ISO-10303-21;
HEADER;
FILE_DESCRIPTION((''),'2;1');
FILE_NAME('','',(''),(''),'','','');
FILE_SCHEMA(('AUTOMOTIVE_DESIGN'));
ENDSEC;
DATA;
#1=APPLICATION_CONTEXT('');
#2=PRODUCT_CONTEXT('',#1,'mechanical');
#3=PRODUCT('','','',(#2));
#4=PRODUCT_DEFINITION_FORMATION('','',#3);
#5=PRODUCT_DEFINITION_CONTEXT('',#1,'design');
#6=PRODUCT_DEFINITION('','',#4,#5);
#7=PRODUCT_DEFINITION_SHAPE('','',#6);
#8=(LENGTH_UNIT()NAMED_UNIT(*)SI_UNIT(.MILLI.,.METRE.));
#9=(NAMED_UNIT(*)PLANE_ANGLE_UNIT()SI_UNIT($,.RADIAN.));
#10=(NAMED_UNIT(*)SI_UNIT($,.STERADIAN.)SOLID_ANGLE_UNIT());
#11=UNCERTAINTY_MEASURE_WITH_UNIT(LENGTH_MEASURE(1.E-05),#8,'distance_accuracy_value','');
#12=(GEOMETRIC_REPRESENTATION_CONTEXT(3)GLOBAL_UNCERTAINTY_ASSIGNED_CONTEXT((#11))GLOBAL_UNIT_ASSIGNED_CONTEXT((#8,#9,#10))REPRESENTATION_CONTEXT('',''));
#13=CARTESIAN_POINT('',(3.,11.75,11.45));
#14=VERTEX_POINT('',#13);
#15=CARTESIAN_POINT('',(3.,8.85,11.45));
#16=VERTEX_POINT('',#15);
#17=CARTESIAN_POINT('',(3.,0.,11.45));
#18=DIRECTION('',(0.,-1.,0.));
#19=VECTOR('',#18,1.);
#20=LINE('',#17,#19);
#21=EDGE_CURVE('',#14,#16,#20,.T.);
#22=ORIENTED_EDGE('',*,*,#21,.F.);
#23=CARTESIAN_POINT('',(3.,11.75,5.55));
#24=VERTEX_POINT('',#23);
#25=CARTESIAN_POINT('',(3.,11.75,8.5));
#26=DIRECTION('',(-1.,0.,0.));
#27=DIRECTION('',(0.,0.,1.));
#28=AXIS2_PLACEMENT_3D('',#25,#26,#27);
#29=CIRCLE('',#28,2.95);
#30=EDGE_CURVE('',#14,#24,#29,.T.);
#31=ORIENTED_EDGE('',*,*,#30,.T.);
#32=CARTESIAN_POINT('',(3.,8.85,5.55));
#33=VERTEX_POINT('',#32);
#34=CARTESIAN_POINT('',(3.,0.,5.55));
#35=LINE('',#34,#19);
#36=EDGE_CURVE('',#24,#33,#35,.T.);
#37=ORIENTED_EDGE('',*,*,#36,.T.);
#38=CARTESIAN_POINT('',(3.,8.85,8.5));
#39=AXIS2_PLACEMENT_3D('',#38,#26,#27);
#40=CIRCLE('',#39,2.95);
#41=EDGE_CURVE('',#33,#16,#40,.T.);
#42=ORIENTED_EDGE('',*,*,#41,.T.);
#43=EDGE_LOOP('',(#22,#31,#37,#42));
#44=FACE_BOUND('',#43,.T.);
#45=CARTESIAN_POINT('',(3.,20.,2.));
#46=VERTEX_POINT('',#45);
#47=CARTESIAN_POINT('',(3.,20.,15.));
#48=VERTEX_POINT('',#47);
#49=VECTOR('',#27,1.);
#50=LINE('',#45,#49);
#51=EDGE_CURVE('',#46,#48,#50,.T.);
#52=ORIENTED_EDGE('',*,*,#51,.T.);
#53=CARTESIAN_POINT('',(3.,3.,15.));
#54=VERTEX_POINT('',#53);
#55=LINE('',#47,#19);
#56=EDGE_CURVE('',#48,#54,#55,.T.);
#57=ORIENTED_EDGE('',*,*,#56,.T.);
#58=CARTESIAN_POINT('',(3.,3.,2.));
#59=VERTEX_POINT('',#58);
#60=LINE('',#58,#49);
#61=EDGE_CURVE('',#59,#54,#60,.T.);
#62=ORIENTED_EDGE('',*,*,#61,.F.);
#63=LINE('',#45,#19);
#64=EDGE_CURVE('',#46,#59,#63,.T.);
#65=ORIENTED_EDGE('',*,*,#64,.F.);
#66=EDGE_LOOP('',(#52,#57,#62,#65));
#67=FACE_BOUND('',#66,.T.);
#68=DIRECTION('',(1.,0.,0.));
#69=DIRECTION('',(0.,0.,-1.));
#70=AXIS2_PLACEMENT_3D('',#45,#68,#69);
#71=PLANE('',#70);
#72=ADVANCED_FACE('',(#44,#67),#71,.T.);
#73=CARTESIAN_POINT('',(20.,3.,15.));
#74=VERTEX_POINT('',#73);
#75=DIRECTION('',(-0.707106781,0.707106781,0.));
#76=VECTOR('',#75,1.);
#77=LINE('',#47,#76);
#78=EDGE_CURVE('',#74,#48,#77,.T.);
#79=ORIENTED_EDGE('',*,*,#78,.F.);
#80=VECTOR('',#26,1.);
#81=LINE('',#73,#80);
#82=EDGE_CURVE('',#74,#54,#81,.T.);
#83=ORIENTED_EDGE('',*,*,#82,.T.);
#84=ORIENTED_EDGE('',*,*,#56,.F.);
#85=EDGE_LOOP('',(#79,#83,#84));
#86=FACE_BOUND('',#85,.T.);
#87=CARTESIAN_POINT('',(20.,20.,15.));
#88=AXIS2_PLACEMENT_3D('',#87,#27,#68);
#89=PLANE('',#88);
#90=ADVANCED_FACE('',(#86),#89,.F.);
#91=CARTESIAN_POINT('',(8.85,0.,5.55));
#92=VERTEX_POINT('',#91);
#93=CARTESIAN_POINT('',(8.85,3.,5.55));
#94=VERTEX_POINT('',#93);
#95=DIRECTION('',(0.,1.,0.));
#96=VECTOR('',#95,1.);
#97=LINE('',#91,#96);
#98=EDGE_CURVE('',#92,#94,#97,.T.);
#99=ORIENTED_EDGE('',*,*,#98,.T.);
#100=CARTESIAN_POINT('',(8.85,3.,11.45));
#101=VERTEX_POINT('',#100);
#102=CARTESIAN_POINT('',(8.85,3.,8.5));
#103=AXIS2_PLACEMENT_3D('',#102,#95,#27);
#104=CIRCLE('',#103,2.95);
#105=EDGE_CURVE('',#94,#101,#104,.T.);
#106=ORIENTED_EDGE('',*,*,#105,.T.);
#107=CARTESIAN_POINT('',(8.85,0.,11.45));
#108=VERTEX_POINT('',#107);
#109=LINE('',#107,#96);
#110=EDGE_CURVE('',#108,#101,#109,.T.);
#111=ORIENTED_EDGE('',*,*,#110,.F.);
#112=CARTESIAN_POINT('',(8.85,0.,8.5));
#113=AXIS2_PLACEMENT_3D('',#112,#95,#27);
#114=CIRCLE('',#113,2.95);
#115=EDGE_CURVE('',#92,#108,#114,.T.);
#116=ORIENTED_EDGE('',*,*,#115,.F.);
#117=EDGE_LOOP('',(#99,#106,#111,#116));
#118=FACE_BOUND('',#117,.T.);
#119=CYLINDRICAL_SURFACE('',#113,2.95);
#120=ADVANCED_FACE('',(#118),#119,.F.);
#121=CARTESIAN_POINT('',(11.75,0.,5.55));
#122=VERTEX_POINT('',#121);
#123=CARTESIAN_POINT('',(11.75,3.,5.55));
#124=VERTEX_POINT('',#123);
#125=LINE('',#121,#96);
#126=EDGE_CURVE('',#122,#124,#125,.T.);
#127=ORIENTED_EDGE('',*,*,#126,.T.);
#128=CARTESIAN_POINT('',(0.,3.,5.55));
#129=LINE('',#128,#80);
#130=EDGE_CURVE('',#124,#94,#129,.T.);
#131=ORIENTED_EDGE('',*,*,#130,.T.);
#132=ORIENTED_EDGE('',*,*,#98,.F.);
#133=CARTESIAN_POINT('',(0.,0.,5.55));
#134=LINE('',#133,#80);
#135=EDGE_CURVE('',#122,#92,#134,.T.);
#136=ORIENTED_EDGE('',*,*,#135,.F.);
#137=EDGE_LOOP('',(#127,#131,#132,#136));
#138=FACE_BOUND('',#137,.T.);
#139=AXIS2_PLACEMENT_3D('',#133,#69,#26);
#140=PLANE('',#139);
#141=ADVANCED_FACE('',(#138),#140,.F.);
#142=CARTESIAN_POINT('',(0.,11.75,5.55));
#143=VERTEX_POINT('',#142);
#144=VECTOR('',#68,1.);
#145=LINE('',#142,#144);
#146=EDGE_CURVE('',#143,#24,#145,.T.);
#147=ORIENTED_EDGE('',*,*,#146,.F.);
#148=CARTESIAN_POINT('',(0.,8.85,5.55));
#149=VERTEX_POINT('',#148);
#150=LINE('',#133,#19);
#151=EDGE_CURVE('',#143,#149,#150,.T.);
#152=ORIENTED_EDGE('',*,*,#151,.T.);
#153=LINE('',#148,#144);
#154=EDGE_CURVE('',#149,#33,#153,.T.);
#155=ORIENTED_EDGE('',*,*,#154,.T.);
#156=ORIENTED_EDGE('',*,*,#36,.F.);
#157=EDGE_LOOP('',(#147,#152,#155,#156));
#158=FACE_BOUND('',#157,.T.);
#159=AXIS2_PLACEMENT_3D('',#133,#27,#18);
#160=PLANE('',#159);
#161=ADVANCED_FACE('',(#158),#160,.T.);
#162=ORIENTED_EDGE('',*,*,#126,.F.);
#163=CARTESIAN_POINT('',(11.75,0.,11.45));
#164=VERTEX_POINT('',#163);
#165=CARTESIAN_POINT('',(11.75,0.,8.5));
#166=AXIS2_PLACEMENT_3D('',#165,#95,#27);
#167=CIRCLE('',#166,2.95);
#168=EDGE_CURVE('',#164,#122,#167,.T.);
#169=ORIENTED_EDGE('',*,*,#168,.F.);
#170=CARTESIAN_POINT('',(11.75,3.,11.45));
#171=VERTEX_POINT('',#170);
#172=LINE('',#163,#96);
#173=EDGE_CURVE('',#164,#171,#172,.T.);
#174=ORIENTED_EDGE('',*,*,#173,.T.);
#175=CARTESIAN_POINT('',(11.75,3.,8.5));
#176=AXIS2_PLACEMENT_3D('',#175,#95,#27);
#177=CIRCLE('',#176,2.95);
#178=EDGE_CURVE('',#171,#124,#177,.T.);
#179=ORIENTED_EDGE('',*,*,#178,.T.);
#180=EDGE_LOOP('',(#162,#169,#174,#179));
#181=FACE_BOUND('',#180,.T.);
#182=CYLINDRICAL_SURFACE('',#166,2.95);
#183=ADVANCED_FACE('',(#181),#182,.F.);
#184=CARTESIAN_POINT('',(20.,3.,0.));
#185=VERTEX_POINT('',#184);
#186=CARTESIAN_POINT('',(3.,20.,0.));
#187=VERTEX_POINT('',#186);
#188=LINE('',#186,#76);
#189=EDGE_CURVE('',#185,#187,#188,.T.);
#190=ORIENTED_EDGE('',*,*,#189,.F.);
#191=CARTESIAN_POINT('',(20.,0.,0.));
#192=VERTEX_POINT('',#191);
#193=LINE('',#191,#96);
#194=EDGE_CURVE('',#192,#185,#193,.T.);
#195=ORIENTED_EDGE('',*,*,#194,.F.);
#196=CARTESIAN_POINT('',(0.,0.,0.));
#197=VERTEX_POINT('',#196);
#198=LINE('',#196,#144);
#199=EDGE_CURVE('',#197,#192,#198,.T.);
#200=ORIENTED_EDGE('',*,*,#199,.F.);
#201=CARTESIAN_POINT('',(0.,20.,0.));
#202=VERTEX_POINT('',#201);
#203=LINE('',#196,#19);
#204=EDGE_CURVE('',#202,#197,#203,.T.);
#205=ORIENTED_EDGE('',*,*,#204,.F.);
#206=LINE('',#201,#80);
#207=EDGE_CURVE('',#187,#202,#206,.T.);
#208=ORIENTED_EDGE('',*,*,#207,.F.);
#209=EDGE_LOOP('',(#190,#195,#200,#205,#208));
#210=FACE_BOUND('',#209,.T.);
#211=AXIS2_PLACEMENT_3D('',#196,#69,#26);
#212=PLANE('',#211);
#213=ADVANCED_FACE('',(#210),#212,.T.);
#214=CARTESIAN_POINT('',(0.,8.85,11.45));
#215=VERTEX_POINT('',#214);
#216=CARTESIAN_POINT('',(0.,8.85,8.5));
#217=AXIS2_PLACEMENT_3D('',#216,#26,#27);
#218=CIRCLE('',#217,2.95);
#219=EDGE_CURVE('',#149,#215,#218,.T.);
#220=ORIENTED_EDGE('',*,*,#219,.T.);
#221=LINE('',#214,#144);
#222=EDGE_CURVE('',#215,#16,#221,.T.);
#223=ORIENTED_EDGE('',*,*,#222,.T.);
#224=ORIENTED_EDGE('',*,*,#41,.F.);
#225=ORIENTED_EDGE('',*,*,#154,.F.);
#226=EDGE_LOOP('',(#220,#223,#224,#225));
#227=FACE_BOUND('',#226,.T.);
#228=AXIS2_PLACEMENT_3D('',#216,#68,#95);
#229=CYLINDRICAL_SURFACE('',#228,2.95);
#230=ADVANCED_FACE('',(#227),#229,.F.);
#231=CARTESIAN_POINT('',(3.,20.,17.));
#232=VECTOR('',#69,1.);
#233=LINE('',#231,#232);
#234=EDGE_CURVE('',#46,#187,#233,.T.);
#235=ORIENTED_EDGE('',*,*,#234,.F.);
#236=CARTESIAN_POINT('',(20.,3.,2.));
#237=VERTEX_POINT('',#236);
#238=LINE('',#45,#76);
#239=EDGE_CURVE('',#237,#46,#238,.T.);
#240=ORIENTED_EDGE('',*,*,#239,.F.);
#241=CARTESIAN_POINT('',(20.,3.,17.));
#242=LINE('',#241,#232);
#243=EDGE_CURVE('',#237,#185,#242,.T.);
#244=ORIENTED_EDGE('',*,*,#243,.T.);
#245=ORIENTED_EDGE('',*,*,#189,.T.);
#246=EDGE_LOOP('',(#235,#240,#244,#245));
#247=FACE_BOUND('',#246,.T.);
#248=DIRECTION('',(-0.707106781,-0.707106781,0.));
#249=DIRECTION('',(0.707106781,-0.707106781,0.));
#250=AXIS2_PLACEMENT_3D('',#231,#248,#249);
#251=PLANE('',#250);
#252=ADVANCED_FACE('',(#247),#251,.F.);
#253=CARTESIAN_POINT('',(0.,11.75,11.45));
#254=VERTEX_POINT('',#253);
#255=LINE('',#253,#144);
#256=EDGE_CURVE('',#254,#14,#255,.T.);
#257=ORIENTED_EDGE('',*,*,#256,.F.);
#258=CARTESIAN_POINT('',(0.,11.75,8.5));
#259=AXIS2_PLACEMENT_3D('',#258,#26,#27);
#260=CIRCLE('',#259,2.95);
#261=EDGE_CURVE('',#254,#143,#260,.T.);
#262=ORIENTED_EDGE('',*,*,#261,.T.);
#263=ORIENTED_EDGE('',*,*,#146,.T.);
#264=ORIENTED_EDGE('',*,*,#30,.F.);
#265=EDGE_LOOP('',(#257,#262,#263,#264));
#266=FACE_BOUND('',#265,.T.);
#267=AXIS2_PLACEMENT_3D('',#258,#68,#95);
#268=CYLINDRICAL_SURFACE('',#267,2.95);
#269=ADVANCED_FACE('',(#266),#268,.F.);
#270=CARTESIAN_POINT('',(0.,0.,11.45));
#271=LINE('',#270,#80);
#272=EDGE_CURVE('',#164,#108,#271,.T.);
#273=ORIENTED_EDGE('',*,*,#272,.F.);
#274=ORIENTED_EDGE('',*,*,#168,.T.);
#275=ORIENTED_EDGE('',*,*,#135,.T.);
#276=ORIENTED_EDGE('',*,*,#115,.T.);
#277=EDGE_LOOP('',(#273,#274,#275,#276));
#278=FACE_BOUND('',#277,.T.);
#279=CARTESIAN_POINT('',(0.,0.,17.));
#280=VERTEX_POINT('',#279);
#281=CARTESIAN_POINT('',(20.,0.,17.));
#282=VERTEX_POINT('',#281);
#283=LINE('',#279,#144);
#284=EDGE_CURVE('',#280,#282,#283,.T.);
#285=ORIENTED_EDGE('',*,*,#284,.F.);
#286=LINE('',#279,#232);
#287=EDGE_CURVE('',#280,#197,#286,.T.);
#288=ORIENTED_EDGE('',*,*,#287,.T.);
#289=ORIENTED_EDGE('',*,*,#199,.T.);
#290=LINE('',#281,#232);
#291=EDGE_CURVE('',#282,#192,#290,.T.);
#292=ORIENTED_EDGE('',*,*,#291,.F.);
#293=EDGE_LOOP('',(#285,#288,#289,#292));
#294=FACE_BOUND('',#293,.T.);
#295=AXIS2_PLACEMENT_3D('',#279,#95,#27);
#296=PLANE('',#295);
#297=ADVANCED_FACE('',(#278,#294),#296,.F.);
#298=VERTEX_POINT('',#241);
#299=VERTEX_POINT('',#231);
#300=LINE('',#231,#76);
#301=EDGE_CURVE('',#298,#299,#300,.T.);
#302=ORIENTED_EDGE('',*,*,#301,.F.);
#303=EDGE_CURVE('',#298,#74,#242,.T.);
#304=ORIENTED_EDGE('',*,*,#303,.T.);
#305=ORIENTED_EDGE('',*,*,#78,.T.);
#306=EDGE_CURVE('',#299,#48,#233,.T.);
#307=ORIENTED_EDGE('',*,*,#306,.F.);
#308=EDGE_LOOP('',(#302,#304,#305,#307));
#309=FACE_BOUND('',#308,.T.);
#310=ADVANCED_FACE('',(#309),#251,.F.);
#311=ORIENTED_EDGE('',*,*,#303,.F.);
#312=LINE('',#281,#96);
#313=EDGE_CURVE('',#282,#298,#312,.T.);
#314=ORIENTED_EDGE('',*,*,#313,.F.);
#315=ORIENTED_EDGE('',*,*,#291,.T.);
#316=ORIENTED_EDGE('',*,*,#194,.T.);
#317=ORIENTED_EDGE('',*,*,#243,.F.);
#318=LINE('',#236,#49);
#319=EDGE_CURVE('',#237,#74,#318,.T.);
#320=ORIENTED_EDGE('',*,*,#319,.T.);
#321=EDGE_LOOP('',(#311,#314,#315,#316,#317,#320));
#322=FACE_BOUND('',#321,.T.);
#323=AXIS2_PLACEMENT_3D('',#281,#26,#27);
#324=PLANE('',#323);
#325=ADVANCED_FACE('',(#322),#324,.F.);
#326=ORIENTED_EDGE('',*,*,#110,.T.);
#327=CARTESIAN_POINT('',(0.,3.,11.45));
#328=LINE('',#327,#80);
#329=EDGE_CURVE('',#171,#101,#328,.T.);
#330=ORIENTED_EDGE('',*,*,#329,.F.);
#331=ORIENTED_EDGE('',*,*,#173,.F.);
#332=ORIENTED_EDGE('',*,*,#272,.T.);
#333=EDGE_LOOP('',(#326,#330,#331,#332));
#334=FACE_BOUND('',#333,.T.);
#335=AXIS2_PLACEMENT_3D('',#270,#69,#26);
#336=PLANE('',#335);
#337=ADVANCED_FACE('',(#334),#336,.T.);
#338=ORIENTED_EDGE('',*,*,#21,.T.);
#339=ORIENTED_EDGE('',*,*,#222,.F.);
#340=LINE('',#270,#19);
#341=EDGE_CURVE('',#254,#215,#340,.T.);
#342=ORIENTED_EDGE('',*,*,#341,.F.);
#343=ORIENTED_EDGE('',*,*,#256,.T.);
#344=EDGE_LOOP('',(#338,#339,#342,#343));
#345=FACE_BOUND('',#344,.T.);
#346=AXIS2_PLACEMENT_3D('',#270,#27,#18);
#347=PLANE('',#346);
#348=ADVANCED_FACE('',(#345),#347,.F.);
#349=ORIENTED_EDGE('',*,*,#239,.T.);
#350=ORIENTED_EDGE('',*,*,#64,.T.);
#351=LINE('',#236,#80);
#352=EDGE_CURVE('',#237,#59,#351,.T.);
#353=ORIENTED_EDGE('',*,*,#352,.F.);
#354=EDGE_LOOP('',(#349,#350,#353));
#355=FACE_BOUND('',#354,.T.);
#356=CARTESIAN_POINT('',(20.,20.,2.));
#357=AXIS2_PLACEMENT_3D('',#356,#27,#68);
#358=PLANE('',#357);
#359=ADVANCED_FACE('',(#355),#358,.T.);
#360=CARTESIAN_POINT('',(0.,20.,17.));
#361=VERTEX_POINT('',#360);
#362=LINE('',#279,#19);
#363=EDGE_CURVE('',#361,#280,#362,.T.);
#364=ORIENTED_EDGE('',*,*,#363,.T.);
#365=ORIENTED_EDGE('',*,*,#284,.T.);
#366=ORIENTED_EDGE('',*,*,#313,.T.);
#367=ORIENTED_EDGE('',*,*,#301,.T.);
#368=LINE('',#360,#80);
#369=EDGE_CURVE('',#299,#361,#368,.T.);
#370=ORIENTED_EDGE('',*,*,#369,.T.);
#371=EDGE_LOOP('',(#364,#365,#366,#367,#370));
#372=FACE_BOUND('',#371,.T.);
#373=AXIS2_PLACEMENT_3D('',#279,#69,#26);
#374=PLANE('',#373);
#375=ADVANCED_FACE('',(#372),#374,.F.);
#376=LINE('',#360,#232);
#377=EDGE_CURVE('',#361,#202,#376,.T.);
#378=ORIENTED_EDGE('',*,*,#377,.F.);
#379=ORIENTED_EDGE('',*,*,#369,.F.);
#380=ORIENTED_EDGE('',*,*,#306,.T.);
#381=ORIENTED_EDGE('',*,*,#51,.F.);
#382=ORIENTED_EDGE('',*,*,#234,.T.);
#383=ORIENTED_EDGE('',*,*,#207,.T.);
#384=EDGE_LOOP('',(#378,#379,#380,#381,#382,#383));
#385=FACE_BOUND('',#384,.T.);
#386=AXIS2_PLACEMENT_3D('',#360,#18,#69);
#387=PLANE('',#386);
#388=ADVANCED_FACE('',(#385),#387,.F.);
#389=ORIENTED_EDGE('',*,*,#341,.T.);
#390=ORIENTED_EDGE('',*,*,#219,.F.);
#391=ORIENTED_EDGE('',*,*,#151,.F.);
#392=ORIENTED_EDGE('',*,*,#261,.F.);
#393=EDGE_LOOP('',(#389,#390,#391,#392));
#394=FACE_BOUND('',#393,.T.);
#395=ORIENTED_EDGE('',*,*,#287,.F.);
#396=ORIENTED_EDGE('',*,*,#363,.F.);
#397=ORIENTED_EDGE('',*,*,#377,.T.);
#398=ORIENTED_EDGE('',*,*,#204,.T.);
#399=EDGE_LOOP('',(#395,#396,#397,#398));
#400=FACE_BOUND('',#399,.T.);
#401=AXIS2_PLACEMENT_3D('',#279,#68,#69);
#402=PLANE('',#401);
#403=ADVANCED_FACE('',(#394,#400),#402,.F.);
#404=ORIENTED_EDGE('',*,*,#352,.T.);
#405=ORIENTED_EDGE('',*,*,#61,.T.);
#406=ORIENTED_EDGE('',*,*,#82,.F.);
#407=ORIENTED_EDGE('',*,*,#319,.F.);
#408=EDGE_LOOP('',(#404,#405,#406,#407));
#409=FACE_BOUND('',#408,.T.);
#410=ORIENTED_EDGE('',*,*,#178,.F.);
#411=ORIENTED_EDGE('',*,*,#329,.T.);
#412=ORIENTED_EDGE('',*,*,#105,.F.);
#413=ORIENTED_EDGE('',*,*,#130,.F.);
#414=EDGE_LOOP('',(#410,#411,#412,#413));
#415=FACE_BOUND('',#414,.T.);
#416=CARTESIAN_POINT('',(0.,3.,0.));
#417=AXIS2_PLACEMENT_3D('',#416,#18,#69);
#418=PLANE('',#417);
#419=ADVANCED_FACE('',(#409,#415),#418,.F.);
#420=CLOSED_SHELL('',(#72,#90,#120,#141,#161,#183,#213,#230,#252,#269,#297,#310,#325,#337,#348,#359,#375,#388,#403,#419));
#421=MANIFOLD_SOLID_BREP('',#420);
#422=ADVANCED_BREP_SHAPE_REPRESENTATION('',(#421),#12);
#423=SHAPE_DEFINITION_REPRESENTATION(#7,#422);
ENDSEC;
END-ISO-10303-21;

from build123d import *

# Parameters (mm, degrees)
EXTRUDE_1_DEPTH     = 17
SKETCH_2_W          = 17
SKETCH_2_H          = 13
CUT_EXTRUDE_1_DEPTH = 18
CUT_EXTRUDE_2_DEPTH = 4


with BuildPart() as part:
    # 草图1 → 凸台-拉伸1 (new body)
    with BuildSketch(Plane.XY):
        Polygon((0, 0), (20, 0), (20, 3), (3, 20), (0, 20), align=None)
    extrude(amount=EXTRUDE_1_DEPTH)

    # 草图2 → 切除-拉伸1 (cut, through all)
    with BuildSketch(Plane(origin=(0, 3, 0), x_dir=(-1, 0, 0), z_dir=(0, -1, 0))):
        with Locations((-11.5, -8.5)):
            Rectangle(SKETCH_2_W, SKETCH_2_H)
    extrude(amount=-CUT_EXTRUDE_1_DEPTH, mode=Mode.SUBTRACT)

    # 草图5 → 切除-拉伸2 (cut, through all)
    with BuildSketch(Plane(origin=(0, 3, 0), x_dir=(1, 0, 0), z_dir=(0, 1, 0))):
        with BuildLine():
            Line((11.75, -11.45), (8.85, -11.45))
            ThreePointArc((8.85, -11.45), (5.9, -8.5), (8.85, -5.55))
            Line((8.85, -5.55), (11.75, -5.55))
            ThreePointArc((11.75, -5.55), (14.7, -8.5), (11.75, -11.45))
        make_face()
    cut_extrude_2 = extrude(amount=-CUT_EXTRUDE_2_DEPTH, mode=Mode.SUBTRACT)

    # 镜向1: 切除-拉伸2 across plane
    add(cut_extrude_2.mirror(Plane(origin=(0, 0, 0), x_dir=(0, 0, 1), z_dir=(0.707106781, -0.707106781, 0))), mode=Mode.SUBTRACT)


solid = part.part
